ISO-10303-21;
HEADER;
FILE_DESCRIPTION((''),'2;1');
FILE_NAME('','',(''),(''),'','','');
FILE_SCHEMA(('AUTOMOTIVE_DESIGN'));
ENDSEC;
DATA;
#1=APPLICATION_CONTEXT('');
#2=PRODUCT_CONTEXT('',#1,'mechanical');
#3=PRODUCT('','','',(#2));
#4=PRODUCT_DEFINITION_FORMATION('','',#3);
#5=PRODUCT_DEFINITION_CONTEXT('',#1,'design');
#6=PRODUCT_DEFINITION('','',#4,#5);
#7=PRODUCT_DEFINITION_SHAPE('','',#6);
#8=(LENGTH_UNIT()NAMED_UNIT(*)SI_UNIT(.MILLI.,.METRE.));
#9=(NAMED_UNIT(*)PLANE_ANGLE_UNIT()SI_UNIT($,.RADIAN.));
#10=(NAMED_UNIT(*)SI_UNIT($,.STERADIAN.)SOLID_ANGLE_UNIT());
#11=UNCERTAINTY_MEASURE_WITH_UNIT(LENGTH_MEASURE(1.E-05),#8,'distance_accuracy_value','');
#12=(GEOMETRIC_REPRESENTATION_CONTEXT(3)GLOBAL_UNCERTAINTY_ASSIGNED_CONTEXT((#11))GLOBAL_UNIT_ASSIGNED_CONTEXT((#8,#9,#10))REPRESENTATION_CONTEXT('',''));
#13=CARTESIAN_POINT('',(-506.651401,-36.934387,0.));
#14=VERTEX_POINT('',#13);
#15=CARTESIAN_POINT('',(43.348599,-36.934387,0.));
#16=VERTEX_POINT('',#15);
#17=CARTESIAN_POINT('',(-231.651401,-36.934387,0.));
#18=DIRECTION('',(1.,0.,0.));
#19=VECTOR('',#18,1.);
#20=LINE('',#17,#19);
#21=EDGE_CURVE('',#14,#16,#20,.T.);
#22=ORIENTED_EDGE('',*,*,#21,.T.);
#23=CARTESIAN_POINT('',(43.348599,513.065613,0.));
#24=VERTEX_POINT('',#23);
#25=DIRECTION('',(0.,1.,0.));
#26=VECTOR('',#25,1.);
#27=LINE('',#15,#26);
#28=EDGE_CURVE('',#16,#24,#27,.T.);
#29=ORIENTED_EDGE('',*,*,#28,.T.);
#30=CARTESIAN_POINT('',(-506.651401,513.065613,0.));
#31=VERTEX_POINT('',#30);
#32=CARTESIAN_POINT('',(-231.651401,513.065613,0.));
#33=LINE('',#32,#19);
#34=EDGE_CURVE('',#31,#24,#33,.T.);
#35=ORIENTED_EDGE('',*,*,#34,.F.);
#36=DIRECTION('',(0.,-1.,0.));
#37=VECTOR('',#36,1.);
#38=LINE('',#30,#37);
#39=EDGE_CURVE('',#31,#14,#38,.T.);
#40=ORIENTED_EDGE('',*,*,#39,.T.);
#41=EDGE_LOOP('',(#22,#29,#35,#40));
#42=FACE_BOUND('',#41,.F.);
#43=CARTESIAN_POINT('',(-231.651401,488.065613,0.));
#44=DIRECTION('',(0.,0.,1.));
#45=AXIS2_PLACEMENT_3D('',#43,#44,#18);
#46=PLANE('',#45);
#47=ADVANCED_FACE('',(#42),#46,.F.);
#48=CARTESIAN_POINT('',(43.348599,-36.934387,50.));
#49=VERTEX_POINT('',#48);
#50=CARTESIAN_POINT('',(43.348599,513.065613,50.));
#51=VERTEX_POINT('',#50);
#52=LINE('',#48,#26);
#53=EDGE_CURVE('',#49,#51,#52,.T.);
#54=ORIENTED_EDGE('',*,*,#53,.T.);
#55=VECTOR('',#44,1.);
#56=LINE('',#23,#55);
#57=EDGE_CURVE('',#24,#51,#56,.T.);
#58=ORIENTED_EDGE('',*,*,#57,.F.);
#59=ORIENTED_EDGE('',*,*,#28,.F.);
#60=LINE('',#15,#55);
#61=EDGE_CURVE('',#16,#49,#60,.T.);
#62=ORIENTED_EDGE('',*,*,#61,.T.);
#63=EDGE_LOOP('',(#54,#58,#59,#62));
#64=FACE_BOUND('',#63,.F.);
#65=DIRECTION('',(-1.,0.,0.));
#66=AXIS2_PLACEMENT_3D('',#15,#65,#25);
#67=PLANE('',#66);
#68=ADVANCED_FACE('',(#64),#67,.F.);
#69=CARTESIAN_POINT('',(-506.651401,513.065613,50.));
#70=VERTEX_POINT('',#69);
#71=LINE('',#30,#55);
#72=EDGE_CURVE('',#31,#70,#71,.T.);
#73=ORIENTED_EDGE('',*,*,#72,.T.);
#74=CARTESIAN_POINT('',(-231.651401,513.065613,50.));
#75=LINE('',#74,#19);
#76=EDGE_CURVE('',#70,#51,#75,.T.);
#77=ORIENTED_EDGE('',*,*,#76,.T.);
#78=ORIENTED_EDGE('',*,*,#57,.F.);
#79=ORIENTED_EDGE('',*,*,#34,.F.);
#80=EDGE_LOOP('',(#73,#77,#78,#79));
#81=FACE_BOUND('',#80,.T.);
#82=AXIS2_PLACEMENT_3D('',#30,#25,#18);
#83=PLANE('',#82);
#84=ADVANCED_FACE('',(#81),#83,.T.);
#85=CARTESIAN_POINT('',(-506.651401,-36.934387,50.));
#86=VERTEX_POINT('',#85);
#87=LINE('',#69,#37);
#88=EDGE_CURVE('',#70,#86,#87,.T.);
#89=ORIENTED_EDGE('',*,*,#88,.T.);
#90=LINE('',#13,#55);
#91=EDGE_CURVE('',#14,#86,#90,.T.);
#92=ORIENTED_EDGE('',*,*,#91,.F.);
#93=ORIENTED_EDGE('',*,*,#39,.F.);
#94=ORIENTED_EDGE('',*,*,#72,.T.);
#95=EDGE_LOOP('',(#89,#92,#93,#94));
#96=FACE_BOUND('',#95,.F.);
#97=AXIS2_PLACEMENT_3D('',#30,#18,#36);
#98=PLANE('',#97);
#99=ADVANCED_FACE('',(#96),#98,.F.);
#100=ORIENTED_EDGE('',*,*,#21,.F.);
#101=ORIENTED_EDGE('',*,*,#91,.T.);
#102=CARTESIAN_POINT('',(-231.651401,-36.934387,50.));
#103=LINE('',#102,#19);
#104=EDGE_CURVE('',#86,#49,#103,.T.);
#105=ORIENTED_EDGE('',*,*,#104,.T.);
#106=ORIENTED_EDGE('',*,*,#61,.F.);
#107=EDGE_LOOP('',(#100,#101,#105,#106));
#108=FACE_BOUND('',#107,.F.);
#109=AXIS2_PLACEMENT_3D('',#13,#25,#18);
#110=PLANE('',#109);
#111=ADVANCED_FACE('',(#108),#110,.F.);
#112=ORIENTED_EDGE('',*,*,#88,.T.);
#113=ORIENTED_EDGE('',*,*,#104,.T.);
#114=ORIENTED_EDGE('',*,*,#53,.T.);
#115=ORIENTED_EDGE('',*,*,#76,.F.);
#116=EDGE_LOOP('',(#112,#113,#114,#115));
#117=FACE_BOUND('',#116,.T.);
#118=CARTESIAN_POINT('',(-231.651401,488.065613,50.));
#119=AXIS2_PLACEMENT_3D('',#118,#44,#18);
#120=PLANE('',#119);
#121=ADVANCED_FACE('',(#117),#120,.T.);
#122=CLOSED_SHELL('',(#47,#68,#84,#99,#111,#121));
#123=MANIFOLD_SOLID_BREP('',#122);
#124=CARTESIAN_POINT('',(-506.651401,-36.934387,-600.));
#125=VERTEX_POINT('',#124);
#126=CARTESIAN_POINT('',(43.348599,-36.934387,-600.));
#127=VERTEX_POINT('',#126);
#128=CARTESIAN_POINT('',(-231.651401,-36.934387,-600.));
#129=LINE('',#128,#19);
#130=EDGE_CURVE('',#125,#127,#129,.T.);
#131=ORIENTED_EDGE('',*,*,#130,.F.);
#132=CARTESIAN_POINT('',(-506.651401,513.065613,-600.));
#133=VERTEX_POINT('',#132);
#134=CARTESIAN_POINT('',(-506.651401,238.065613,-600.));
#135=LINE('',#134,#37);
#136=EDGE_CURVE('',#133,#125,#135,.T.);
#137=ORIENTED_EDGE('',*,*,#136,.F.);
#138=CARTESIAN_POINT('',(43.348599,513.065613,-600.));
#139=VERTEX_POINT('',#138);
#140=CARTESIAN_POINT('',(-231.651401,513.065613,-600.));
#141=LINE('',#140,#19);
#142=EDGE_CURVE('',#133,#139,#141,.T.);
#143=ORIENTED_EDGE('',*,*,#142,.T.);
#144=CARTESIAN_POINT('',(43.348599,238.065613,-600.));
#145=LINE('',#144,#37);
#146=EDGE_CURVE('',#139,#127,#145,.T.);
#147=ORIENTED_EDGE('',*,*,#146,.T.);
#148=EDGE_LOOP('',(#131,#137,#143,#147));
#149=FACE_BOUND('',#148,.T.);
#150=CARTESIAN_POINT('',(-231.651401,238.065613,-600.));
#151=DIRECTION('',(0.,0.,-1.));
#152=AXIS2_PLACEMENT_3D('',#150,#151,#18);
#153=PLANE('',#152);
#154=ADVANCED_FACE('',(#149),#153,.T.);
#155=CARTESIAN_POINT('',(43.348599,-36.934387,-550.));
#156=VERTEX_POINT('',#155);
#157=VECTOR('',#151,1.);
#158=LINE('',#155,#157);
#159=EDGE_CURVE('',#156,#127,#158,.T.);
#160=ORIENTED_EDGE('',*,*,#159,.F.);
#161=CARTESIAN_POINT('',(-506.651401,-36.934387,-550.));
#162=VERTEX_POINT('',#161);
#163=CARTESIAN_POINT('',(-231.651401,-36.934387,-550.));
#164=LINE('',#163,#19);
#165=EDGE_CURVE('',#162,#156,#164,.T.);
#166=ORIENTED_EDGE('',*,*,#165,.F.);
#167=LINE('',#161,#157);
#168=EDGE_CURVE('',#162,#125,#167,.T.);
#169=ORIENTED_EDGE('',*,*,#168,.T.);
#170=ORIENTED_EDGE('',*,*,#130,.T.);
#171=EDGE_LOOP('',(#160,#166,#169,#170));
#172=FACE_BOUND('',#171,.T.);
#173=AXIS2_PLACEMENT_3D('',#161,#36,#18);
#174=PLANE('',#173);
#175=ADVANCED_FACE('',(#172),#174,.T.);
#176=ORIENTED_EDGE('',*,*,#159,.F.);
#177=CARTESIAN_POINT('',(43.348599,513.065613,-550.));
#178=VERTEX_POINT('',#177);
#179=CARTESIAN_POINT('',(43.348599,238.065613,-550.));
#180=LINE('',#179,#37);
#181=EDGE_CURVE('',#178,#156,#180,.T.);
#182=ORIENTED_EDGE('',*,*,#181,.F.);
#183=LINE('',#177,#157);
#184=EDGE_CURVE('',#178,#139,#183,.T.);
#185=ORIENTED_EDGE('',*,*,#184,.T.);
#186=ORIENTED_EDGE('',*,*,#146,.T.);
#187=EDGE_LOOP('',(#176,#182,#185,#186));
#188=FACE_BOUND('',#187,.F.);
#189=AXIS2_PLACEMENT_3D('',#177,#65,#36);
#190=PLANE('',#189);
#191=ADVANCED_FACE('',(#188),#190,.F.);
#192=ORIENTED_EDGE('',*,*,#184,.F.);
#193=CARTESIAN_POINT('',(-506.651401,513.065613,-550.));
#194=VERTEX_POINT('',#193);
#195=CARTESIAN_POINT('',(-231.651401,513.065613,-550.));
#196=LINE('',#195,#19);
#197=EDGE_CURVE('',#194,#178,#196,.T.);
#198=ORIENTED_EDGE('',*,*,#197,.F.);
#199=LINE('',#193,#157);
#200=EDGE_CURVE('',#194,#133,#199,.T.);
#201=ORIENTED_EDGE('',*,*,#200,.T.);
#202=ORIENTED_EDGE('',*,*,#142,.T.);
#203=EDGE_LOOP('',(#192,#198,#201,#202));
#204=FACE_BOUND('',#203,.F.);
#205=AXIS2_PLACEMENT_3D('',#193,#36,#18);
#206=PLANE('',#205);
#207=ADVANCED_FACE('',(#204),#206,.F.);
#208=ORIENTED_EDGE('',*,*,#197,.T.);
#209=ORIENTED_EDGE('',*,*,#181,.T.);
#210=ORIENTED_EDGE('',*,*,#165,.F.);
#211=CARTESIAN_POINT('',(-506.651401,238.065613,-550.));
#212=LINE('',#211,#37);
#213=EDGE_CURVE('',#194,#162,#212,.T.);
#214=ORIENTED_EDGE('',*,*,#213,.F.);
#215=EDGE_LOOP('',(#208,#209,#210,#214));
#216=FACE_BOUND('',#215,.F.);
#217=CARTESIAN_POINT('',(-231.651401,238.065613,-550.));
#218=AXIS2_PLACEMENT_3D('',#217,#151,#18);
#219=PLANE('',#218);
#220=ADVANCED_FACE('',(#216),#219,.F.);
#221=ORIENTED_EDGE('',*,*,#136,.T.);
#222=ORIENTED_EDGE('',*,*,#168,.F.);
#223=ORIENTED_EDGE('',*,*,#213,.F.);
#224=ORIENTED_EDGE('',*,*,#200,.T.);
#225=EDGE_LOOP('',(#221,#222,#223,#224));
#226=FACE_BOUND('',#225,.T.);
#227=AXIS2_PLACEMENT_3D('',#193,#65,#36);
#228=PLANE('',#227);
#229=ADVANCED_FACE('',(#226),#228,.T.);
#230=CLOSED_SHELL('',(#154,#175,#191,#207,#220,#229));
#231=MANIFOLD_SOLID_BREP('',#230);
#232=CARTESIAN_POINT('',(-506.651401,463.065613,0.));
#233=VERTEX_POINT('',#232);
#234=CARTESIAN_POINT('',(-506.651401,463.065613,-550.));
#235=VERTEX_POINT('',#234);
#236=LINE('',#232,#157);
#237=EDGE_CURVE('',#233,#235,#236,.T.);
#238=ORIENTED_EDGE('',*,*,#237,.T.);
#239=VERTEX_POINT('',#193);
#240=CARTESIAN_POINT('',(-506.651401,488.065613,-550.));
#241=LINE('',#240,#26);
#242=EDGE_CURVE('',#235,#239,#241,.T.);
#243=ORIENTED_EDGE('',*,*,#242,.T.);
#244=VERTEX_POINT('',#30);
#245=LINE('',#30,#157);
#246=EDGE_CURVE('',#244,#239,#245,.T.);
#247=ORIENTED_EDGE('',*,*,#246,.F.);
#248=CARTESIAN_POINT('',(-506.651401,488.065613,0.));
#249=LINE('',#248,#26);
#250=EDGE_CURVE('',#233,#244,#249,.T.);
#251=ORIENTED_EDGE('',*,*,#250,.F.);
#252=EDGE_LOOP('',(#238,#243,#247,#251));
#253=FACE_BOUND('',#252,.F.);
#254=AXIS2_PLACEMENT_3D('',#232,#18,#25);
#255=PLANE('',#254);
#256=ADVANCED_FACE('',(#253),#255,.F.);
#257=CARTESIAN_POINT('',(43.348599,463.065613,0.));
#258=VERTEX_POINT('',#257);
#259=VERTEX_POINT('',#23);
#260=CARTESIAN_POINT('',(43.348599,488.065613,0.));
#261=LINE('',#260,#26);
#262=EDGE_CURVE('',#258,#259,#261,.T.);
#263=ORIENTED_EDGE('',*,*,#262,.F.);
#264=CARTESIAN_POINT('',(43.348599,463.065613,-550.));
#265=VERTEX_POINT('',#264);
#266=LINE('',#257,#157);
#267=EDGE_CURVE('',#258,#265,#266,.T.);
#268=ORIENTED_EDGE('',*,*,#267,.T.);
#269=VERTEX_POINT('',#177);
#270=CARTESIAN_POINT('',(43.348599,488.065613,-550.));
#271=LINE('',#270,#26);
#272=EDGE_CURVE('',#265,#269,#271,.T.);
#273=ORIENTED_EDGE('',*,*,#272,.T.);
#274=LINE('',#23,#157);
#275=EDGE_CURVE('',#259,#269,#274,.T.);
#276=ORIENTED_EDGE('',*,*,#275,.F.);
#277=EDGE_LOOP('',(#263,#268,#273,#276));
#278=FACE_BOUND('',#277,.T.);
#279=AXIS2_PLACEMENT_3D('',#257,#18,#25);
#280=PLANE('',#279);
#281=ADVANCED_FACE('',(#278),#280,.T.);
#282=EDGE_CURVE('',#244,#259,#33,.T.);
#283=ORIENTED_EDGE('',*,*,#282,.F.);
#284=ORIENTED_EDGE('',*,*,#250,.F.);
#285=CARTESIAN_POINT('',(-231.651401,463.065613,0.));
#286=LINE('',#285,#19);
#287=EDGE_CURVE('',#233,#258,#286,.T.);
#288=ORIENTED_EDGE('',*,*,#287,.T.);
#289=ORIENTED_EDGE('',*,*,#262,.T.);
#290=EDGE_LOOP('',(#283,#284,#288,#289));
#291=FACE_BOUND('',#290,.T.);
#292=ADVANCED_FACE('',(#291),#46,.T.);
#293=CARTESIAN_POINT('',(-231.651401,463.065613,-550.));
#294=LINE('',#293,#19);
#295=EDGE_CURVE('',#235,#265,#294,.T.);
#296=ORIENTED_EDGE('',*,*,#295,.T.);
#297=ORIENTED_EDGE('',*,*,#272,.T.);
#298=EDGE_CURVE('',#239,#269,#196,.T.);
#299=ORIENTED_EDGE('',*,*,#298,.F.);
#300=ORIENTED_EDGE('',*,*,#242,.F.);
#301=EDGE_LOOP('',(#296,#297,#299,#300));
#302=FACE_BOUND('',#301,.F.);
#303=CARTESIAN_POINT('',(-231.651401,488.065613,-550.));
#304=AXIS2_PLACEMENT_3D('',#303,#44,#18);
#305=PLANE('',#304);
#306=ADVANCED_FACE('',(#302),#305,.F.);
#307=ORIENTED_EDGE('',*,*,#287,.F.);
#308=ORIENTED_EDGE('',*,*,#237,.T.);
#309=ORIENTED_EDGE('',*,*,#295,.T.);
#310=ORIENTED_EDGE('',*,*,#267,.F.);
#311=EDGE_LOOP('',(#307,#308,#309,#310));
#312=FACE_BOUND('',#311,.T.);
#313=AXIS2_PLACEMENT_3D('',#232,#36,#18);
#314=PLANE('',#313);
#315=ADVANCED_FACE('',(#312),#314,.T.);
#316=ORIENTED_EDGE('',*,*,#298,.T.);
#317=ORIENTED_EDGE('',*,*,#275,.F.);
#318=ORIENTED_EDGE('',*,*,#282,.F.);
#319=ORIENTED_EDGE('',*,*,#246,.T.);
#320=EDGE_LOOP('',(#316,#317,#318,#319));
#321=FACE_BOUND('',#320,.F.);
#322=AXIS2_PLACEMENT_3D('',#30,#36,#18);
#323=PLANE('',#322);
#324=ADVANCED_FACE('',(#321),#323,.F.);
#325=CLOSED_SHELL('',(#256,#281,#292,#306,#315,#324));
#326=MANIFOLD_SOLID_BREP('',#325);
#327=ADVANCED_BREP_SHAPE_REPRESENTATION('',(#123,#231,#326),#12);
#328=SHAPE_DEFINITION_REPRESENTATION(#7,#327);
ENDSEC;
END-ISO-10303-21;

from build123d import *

# Parameters (mm, degrees)
F0_W     = 550
F0_H     = 50
F0_H_2   = 500
F1_DEPTH = 50
F2_DEPTH = 550
F3_W     = 550
F3_H     = 550
F4_DEPTH = 50


with BuildPart() as f1:
    # F0 (on Top) → F1 (new body)
    with BuildSketch(Plane.XY):
        with Locations((-231.651401, 488.065613)):
            Rectangle(F0_W, F0_H)
        with Locations((-231.651401, 213.065613)):
            Rectangle(F0_W, F0_H_2)
    extrude(amount=F1_DEPTH)


with BuildPart() as f2:
    # F0 (on Top) → F2 (new body)
    with BuildSketch(Plane.XY):
        with Locations((-231.651401, 488.065613)):
            Rectangle(F0_W, F0_H)
    extrude(amount=-F2_DEPTH)


with BuildPart() as f4:
    # F3 (on face) → F4 (new body)
    with BuildSketch(Plane(origin=(0, 0, -550), x_dir=(1, 0, 0), z_dir=(0, 0, -1))):
        with Locations((-231.651401, -238.065613)):
            Rectangle(F3_W, F3_H)
    extrude(amount=F4_DEPTH)


solid = Compound([f1.part, f2.part, f4.part])
